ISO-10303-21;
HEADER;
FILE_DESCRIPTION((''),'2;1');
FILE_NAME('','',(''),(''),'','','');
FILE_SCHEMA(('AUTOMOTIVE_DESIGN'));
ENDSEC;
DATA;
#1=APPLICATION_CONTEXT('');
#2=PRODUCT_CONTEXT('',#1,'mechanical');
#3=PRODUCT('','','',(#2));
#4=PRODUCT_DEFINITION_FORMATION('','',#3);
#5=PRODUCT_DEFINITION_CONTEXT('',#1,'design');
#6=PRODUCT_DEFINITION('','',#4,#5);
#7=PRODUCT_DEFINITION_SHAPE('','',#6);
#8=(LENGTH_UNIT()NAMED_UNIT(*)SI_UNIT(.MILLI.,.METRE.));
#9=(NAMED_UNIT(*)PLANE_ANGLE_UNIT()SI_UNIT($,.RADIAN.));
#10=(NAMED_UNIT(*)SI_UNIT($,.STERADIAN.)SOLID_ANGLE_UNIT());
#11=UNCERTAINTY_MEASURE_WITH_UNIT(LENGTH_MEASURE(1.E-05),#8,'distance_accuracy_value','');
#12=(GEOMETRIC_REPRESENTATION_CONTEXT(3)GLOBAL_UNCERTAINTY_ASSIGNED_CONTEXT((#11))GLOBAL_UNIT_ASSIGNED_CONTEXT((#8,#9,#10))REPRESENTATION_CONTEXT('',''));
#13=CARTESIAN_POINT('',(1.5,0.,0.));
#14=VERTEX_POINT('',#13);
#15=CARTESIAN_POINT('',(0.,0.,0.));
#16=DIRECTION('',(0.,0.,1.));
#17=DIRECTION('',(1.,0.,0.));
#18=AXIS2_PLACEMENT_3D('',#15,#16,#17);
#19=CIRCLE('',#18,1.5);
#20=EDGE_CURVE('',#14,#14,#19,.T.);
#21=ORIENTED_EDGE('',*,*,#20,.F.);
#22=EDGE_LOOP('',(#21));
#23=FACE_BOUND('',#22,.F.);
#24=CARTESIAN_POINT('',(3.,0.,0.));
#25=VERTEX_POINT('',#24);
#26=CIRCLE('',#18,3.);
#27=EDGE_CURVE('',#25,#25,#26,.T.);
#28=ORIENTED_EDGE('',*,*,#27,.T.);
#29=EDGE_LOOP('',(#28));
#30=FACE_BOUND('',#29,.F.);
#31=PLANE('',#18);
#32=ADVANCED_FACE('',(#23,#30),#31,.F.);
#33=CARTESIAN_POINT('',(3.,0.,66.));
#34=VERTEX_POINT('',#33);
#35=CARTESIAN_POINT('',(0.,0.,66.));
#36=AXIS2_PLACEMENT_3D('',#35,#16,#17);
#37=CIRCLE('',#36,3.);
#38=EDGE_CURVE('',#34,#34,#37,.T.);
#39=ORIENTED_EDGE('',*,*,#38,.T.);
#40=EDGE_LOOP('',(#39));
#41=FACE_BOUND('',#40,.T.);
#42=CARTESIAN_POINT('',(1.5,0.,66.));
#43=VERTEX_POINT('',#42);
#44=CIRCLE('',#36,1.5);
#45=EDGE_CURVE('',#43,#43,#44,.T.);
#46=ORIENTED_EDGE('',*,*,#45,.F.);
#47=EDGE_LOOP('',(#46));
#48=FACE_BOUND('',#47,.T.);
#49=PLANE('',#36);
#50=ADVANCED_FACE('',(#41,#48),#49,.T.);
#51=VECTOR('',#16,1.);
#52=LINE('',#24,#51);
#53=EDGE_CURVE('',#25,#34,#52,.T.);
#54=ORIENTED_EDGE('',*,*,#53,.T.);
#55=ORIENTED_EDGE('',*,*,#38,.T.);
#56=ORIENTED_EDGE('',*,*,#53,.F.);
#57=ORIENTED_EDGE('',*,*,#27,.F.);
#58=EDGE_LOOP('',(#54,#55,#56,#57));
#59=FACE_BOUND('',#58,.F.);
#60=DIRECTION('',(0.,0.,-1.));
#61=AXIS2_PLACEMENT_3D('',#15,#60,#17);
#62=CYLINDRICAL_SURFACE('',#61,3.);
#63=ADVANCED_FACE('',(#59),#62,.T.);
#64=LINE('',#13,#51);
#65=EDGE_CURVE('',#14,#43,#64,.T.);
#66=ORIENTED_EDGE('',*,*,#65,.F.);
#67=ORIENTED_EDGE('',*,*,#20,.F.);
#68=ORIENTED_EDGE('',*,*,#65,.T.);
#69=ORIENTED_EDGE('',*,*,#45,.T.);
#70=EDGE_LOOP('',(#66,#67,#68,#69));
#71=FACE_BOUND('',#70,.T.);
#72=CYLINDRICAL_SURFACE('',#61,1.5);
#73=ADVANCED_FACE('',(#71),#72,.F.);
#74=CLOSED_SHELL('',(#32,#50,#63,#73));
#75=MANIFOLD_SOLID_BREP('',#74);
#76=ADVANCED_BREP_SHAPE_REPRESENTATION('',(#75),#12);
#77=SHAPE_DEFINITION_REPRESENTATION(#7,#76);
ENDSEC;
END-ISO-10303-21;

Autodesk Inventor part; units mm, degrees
ref_plane "YZ Plane" through (0, 0, 0) normal (1, 0, 0) x (0, 1, 0)
ref_plane "XZ Plane" through (0, 0, 0) normal (0, 1, 0) x (-1, 0, 0)
ref_plane "XY Plane" through (0, 0, 0) normal (0, 0, 1) x (1, 0, 0)
sketch "スケッチ1" plane through (0, 0, 0) normal (0, 0, 1) x (1, 0, 0)
  circle A0 centre (0, 0) radius 3
  circle A1 centre (0, 0) radius 1.5
  dimension "d0" = 6
  dimension "d1" = 3
extrude "押し出し1" add sketch "スケッチ1" along normal blind 66
properties part number "スペーサーm3-66　簡易筒型"
